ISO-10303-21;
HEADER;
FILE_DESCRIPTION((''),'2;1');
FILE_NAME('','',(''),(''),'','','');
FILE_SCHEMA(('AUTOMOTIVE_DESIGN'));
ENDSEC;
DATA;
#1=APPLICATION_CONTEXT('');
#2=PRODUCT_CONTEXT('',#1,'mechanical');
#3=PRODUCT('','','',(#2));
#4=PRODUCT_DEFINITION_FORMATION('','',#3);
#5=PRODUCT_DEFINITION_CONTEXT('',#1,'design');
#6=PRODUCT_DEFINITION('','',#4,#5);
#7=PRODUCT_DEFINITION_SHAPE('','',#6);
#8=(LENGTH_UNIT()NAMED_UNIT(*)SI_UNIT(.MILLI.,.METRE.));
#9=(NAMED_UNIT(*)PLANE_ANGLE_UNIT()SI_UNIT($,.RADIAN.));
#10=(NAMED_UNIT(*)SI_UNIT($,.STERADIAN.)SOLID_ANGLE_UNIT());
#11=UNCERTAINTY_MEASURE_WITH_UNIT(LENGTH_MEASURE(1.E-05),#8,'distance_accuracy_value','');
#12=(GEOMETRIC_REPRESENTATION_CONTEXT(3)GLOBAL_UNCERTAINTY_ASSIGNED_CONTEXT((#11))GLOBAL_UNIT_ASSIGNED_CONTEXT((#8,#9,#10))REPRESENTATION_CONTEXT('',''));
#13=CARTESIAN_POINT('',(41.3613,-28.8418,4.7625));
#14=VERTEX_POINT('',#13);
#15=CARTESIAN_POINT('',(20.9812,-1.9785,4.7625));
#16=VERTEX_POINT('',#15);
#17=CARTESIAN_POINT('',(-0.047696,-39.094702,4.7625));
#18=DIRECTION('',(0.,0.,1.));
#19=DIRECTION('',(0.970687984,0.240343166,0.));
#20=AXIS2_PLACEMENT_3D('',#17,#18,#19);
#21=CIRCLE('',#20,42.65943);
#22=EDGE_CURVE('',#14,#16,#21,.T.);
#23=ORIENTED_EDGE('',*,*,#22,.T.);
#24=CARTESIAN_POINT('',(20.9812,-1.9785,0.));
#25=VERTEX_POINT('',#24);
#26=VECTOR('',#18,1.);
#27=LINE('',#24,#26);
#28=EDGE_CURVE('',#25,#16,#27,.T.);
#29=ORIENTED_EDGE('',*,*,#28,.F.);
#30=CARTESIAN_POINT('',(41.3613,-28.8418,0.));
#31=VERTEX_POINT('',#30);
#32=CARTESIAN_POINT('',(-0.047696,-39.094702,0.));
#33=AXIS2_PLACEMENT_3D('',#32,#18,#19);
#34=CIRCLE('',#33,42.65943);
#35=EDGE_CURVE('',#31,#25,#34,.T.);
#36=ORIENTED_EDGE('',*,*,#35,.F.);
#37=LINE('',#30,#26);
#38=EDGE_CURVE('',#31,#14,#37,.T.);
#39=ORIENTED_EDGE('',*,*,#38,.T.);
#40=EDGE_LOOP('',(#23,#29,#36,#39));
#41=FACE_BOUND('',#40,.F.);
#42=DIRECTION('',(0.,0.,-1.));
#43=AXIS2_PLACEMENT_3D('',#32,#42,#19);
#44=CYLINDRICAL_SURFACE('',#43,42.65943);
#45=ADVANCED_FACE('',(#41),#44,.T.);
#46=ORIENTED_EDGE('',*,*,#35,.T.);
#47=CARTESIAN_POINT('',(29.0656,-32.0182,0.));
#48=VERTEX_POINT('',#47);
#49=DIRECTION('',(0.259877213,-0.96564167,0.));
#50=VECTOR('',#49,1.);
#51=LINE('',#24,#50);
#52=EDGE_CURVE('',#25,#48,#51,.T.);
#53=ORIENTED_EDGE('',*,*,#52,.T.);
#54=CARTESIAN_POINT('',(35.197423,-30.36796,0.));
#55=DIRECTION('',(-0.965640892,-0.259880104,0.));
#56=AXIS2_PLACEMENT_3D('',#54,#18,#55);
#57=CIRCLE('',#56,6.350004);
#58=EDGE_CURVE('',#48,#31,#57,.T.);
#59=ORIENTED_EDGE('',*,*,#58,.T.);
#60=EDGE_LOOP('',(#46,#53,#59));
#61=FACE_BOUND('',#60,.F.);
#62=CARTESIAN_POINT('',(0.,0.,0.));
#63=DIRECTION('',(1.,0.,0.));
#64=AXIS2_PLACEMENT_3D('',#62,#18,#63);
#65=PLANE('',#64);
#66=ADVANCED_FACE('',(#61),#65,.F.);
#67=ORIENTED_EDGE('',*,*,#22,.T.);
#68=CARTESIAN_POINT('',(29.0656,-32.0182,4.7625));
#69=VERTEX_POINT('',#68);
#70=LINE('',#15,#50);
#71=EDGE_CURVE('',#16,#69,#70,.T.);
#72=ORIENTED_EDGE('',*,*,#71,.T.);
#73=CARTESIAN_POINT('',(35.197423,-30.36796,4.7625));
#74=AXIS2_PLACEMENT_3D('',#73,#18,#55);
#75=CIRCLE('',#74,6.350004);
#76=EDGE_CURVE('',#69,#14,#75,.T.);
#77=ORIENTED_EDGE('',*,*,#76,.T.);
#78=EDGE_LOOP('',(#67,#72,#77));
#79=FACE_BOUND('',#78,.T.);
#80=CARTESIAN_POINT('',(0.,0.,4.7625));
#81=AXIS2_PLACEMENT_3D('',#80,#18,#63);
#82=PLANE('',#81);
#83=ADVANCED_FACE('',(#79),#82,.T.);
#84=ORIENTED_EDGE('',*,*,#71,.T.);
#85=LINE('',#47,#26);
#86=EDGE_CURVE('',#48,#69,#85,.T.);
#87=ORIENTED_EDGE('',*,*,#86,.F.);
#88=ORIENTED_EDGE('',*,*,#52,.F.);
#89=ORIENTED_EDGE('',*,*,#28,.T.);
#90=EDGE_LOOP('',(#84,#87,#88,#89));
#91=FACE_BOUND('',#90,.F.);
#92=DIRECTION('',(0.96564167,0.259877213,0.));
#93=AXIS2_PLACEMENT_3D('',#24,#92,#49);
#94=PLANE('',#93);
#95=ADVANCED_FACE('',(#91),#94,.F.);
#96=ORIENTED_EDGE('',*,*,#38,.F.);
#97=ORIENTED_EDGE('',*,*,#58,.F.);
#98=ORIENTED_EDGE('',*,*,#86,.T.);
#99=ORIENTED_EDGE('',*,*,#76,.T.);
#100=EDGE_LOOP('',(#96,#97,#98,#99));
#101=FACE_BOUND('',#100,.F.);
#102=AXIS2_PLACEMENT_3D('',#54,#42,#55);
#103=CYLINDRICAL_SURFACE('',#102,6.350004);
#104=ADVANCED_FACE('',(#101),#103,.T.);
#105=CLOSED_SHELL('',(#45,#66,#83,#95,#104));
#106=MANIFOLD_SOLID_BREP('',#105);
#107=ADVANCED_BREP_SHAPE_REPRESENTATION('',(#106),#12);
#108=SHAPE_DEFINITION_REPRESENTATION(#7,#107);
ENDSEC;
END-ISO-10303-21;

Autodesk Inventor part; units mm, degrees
ref_plane "YZ Plane" through (0, 0, 0) normal (1, 0, 0) x (0, 1, 0)
ref_plane "XZ Plane" through (0, 0, 0) normal (0, 1, 0) x (-1, 0, 0)
ref_plane "XY Plane" through (0, 0, 0) normal (0, 0, 1) x (1, 0, 0)
ref_plane "Work Plane1" through (0, 0, 0) normal (0, 0, 1) x (1, 0, 0)
sketch "Sketch1" plane through (0, 0, 0) normal (0, 0, 1) x (1, 0, 0)
  arc A0 (29.0656, -32.0182) -> (41.3613, -28.8418) centre (35.1974, -30.368) ccw
  line L0 (20.9812, -1.9785) -> (29.0656, -32.0182)
  arc A1 (41.3613, -28.8418) -> (20.9812, -1.9785) centre (-0.0479, -39.0948) ccw
  point P0 (0, 0)
  dimension "d0" = 31.75
  dimension "d1" = 12.7
extrude "Extrusion1" add sketch "Sketch1" along normal blind 4.7625
sketch "Sketch2" plane through (0, 0, 4.7625) normal (0, 0, 1) x (1, 0, 0)
  arc A0 (29.0656, -32.0182) -> (41.3613, -28.8418) centre (35.1974, -30.368) ccw projected
  circle A1 centre (35.1974, -30.368) radius 6.35
  circle A2 centre (35.1974, -30.368) radius 3.175
  point P0 (0, 0)
  dimension "d4" = 6.35
properties part number "pawl"
